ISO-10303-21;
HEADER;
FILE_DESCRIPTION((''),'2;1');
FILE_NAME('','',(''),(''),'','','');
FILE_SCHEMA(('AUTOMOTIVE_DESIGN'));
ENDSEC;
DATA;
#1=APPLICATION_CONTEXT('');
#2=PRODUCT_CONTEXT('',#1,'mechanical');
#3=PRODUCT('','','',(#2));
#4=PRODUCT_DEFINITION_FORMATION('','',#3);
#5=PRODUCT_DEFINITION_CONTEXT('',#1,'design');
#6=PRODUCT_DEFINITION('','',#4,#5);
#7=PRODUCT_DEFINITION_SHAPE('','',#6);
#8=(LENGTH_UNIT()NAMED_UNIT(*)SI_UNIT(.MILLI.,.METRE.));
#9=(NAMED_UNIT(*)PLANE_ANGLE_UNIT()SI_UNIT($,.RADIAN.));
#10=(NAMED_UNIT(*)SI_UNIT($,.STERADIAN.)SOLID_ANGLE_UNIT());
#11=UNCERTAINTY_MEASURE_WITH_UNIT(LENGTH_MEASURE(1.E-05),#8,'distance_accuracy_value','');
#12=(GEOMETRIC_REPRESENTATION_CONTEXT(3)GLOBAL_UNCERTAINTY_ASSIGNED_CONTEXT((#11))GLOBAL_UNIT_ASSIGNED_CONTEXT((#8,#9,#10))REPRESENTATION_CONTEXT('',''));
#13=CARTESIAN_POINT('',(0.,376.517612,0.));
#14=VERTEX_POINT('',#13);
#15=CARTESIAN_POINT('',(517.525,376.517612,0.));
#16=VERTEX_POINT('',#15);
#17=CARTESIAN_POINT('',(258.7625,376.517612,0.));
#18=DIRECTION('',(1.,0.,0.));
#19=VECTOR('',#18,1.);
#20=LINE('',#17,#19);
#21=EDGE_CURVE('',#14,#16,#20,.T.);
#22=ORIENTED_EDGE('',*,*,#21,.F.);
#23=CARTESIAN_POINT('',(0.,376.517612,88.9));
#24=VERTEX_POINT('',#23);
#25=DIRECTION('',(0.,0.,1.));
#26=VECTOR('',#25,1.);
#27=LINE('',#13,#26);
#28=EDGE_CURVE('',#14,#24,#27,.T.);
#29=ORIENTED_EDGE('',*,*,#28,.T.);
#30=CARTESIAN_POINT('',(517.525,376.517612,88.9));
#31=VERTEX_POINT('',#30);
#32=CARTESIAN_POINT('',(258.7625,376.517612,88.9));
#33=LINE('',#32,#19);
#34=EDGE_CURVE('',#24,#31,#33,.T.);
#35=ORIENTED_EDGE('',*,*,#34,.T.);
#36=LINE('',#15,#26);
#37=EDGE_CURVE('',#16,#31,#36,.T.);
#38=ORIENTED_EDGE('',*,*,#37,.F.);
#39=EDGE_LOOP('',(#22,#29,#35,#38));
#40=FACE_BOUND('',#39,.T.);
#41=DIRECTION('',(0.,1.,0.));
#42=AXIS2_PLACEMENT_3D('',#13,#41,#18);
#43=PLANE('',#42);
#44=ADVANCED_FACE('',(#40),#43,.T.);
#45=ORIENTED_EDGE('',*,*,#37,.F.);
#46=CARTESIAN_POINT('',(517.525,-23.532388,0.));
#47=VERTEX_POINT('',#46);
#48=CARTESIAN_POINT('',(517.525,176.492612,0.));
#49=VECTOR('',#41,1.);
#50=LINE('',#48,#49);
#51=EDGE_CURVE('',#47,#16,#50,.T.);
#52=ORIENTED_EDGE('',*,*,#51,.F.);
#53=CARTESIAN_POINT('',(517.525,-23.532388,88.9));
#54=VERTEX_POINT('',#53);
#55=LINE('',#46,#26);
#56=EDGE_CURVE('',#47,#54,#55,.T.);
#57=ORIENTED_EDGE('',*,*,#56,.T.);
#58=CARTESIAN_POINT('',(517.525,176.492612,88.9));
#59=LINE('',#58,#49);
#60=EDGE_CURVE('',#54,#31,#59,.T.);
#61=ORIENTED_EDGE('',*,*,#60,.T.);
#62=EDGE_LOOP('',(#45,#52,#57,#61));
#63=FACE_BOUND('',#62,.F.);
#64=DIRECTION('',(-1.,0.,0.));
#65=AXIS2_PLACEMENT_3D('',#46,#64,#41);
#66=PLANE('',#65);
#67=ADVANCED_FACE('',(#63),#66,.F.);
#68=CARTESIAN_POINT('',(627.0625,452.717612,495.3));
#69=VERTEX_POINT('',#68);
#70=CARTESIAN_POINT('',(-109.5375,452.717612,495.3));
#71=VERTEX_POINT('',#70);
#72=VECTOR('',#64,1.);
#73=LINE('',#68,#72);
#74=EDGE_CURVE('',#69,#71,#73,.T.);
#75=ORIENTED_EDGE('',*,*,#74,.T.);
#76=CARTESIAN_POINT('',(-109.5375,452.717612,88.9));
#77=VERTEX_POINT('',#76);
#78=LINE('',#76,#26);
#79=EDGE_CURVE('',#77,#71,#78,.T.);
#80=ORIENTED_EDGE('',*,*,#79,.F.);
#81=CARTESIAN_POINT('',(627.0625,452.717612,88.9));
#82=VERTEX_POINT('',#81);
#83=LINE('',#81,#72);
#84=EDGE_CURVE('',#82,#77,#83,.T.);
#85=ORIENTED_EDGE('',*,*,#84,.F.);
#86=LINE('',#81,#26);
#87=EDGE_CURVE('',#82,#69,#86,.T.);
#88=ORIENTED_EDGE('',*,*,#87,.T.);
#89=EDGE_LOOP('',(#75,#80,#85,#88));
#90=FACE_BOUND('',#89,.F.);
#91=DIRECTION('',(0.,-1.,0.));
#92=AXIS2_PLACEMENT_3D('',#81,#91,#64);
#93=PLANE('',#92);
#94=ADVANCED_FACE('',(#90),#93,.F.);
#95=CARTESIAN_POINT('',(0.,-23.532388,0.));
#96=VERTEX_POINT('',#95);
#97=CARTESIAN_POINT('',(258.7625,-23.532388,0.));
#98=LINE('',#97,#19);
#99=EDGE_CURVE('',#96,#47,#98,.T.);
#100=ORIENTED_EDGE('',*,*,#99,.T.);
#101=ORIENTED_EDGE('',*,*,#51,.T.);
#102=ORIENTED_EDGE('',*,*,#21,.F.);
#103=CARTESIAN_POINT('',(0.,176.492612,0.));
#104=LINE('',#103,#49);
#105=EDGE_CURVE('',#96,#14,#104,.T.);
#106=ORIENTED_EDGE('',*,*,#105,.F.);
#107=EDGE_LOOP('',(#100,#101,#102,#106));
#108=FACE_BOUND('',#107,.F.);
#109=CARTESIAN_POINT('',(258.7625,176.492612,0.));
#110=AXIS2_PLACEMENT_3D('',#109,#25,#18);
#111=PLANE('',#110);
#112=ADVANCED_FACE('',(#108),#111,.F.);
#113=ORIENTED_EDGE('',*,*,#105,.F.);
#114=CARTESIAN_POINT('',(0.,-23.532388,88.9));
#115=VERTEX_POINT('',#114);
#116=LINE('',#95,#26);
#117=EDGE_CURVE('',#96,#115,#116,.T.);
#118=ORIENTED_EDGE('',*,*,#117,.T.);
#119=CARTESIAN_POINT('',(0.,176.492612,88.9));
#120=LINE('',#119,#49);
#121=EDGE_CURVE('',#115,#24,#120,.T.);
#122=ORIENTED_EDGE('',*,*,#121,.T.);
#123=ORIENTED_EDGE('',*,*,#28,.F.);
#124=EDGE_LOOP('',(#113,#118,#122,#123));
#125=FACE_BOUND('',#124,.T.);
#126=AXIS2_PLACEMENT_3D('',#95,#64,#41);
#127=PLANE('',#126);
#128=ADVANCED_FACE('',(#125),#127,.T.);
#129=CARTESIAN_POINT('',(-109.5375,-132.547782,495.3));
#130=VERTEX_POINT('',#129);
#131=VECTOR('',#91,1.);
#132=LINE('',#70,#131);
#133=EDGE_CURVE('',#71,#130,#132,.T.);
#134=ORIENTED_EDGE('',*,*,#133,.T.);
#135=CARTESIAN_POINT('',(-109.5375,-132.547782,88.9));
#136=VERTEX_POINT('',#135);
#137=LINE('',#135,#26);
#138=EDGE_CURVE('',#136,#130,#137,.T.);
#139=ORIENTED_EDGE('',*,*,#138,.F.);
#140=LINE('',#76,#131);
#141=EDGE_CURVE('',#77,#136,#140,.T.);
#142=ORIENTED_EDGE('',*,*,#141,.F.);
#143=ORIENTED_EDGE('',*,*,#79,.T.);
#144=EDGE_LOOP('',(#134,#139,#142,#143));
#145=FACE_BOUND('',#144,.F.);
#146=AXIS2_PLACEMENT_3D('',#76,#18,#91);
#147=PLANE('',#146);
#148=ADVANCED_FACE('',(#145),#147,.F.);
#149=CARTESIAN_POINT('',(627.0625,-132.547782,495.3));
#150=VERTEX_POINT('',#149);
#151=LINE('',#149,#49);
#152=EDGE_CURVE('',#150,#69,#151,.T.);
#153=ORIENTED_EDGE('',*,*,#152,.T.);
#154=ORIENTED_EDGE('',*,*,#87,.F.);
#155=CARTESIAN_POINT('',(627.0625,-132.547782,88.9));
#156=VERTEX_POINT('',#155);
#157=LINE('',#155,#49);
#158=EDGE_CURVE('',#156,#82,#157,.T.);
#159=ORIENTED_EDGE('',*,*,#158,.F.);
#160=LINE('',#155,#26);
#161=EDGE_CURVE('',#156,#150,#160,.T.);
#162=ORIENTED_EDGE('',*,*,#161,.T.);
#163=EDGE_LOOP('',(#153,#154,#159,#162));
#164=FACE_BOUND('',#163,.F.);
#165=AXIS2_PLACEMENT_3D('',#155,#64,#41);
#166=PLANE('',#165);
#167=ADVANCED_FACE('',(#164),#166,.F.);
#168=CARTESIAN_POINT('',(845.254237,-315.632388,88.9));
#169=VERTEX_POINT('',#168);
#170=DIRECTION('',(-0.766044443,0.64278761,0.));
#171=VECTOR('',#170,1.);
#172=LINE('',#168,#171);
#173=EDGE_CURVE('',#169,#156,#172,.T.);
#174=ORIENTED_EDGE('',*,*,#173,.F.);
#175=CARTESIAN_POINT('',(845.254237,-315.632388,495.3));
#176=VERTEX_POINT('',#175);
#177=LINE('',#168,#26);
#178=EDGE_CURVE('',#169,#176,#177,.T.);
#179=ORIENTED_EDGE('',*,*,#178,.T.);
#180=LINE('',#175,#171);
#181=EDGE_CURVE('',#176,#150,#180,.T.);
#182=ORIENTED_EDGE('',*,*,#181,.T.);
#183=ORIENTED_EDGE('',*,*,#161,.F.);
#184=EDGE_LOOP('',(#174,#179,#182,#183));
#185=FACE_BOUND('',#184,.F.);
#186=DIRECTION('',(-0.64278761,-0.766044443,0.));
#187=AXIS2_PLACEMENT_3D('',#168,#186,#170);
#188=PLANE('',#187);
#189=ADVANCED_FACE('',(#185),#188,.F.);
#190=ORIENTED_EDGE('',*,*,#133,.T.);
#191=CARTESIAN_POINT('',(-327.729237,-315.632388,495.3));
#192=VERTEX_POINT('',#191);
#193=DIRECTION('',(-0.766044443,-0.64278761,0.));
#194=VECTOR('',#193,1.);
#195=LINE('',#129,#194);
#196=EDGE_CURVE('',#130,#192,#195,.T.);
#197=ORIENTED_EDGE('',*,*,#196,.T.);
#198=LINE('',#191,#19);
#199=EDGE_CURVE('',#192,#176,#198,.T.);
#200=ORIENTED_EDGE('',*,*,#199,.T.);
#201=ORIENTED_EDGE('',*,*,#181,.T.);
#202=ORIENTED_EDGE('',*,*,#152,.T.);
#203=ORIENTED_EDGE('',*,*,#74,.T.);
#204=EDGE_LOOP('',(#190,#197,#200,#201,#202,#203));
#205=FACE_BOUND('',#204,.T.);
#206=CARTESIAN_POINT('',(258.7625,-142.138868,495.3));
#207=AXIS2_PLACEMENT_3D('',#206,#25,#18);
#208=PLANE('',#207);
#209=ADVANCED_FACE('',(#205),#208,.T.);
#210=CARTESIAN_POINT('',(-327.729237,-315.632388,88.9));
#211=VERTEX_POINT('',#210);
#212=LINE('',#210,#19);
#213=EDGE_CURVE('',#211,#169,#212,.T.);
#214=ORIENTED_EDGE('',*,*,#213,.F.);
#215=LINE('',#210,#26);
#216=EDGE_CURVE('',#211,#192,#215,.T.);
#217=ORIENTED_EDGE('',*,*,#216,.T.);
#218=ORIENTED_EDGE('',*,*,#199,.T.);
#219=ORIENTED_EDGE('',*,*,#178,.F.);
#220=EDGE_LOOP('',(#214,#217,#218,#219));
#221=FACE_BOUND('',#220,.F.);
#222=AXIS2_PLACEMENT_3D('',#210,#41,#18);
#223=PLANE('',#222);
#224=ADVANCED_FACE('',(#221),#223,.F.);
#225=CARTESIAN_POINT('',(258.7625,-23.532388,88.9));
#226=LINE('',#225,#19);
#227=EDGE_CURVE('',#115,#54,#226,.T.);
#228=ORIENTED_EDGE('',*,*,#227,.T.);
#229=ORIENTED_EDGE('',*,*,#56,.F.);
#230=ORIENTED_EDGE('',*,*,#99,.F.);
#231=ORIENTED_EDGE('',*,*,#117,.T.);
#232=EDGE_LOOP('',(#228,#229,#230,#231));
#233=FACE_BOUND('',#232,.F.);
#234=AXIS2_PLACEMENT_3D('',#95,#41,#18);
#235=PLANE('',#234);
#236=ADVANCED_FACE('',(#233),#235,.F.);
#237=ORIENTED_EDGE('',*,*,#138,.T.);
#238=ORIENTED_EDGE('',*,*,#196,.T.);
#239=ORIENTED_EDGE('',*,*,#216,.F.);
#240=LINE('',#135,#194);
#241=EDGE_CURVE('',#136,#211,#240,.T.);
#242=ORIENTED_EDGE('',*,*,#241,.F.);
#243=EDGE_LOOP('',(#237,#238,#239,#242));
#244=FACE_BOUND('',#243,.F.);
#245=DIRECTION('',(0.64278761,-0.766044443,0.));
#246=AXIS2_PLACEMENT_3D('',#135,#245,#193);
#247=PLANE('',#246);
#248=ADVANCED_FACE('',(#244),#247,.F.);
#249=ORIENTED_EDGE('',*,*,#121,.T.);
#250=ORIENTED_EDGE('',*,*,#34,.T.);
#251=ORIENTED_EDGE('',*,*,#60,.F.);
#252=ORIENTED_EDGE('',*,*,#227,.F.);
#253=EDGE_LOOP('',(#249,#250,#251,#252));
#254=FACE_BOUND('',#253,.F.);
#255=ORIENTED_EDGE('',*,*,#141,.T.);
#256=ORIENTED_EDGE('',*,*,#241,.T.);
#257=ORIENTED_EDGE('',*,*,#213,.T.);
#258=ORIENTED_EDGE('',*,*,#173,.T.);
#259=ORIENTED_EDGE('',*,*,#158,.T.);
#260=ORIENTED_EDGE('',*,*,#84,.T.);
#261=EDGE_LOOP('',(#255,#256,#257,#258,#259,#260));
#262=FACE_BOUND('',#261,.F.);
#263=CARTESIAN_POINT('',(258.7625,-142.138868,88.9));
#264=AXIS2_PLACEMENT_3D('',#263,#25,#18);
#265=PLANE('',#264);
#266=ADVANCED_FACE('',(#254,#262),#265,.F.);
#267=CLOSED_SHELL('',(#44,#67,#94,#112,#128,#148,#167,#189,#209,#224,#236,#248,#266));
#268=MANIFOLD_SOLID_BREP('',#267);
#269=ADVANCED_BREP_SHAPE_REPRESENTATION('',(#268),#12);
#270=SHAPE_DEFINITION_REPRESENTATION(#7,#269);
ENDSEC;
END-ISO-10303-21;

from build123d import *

# Parameters (mm, degrees)
F0_W     = 517.525
F0_H     = 400.05
F1_DEPTH = 88.9
F3_DEPTH = 406.4


with BuildPart() as f1:
    # F0 (on Top) → F1 (new body)
    with BuildSketch(Plane.XY):
        with Locations((258.7625, 176.492612)):
            Rectangle(F0_W, F0_H)
    extrude(amount=F1_DEPTH)

    # F2 (on face) → F3 (join)
    with BuildSketch(Plane.XY.offset(88.9)):
        Polygon((-109.5375, -315.632388), (627.0625, -315.632388), (627.0625, -132.547782), (258.7625, 176.492612), (-109.5375, -132.547782), align=None)
        Polygon((627.0625, -132.547782), (627.0625, -315.632388), (845.254237, -315.632388), align=None)
        Polygon((-327.729237, -315.632388), (-109.5375, -315.632388), (-109.5375, -132.547782), align=None)
        Polygon((258.7625, 176.492612), (627.0625, -132.547782), (627.0625, 452.717612), (-109.5375, 452.717612), (-109.5375, -132.547782), align=None)
    extrude(amount=F3_DEPTH)


solid = f1.part
